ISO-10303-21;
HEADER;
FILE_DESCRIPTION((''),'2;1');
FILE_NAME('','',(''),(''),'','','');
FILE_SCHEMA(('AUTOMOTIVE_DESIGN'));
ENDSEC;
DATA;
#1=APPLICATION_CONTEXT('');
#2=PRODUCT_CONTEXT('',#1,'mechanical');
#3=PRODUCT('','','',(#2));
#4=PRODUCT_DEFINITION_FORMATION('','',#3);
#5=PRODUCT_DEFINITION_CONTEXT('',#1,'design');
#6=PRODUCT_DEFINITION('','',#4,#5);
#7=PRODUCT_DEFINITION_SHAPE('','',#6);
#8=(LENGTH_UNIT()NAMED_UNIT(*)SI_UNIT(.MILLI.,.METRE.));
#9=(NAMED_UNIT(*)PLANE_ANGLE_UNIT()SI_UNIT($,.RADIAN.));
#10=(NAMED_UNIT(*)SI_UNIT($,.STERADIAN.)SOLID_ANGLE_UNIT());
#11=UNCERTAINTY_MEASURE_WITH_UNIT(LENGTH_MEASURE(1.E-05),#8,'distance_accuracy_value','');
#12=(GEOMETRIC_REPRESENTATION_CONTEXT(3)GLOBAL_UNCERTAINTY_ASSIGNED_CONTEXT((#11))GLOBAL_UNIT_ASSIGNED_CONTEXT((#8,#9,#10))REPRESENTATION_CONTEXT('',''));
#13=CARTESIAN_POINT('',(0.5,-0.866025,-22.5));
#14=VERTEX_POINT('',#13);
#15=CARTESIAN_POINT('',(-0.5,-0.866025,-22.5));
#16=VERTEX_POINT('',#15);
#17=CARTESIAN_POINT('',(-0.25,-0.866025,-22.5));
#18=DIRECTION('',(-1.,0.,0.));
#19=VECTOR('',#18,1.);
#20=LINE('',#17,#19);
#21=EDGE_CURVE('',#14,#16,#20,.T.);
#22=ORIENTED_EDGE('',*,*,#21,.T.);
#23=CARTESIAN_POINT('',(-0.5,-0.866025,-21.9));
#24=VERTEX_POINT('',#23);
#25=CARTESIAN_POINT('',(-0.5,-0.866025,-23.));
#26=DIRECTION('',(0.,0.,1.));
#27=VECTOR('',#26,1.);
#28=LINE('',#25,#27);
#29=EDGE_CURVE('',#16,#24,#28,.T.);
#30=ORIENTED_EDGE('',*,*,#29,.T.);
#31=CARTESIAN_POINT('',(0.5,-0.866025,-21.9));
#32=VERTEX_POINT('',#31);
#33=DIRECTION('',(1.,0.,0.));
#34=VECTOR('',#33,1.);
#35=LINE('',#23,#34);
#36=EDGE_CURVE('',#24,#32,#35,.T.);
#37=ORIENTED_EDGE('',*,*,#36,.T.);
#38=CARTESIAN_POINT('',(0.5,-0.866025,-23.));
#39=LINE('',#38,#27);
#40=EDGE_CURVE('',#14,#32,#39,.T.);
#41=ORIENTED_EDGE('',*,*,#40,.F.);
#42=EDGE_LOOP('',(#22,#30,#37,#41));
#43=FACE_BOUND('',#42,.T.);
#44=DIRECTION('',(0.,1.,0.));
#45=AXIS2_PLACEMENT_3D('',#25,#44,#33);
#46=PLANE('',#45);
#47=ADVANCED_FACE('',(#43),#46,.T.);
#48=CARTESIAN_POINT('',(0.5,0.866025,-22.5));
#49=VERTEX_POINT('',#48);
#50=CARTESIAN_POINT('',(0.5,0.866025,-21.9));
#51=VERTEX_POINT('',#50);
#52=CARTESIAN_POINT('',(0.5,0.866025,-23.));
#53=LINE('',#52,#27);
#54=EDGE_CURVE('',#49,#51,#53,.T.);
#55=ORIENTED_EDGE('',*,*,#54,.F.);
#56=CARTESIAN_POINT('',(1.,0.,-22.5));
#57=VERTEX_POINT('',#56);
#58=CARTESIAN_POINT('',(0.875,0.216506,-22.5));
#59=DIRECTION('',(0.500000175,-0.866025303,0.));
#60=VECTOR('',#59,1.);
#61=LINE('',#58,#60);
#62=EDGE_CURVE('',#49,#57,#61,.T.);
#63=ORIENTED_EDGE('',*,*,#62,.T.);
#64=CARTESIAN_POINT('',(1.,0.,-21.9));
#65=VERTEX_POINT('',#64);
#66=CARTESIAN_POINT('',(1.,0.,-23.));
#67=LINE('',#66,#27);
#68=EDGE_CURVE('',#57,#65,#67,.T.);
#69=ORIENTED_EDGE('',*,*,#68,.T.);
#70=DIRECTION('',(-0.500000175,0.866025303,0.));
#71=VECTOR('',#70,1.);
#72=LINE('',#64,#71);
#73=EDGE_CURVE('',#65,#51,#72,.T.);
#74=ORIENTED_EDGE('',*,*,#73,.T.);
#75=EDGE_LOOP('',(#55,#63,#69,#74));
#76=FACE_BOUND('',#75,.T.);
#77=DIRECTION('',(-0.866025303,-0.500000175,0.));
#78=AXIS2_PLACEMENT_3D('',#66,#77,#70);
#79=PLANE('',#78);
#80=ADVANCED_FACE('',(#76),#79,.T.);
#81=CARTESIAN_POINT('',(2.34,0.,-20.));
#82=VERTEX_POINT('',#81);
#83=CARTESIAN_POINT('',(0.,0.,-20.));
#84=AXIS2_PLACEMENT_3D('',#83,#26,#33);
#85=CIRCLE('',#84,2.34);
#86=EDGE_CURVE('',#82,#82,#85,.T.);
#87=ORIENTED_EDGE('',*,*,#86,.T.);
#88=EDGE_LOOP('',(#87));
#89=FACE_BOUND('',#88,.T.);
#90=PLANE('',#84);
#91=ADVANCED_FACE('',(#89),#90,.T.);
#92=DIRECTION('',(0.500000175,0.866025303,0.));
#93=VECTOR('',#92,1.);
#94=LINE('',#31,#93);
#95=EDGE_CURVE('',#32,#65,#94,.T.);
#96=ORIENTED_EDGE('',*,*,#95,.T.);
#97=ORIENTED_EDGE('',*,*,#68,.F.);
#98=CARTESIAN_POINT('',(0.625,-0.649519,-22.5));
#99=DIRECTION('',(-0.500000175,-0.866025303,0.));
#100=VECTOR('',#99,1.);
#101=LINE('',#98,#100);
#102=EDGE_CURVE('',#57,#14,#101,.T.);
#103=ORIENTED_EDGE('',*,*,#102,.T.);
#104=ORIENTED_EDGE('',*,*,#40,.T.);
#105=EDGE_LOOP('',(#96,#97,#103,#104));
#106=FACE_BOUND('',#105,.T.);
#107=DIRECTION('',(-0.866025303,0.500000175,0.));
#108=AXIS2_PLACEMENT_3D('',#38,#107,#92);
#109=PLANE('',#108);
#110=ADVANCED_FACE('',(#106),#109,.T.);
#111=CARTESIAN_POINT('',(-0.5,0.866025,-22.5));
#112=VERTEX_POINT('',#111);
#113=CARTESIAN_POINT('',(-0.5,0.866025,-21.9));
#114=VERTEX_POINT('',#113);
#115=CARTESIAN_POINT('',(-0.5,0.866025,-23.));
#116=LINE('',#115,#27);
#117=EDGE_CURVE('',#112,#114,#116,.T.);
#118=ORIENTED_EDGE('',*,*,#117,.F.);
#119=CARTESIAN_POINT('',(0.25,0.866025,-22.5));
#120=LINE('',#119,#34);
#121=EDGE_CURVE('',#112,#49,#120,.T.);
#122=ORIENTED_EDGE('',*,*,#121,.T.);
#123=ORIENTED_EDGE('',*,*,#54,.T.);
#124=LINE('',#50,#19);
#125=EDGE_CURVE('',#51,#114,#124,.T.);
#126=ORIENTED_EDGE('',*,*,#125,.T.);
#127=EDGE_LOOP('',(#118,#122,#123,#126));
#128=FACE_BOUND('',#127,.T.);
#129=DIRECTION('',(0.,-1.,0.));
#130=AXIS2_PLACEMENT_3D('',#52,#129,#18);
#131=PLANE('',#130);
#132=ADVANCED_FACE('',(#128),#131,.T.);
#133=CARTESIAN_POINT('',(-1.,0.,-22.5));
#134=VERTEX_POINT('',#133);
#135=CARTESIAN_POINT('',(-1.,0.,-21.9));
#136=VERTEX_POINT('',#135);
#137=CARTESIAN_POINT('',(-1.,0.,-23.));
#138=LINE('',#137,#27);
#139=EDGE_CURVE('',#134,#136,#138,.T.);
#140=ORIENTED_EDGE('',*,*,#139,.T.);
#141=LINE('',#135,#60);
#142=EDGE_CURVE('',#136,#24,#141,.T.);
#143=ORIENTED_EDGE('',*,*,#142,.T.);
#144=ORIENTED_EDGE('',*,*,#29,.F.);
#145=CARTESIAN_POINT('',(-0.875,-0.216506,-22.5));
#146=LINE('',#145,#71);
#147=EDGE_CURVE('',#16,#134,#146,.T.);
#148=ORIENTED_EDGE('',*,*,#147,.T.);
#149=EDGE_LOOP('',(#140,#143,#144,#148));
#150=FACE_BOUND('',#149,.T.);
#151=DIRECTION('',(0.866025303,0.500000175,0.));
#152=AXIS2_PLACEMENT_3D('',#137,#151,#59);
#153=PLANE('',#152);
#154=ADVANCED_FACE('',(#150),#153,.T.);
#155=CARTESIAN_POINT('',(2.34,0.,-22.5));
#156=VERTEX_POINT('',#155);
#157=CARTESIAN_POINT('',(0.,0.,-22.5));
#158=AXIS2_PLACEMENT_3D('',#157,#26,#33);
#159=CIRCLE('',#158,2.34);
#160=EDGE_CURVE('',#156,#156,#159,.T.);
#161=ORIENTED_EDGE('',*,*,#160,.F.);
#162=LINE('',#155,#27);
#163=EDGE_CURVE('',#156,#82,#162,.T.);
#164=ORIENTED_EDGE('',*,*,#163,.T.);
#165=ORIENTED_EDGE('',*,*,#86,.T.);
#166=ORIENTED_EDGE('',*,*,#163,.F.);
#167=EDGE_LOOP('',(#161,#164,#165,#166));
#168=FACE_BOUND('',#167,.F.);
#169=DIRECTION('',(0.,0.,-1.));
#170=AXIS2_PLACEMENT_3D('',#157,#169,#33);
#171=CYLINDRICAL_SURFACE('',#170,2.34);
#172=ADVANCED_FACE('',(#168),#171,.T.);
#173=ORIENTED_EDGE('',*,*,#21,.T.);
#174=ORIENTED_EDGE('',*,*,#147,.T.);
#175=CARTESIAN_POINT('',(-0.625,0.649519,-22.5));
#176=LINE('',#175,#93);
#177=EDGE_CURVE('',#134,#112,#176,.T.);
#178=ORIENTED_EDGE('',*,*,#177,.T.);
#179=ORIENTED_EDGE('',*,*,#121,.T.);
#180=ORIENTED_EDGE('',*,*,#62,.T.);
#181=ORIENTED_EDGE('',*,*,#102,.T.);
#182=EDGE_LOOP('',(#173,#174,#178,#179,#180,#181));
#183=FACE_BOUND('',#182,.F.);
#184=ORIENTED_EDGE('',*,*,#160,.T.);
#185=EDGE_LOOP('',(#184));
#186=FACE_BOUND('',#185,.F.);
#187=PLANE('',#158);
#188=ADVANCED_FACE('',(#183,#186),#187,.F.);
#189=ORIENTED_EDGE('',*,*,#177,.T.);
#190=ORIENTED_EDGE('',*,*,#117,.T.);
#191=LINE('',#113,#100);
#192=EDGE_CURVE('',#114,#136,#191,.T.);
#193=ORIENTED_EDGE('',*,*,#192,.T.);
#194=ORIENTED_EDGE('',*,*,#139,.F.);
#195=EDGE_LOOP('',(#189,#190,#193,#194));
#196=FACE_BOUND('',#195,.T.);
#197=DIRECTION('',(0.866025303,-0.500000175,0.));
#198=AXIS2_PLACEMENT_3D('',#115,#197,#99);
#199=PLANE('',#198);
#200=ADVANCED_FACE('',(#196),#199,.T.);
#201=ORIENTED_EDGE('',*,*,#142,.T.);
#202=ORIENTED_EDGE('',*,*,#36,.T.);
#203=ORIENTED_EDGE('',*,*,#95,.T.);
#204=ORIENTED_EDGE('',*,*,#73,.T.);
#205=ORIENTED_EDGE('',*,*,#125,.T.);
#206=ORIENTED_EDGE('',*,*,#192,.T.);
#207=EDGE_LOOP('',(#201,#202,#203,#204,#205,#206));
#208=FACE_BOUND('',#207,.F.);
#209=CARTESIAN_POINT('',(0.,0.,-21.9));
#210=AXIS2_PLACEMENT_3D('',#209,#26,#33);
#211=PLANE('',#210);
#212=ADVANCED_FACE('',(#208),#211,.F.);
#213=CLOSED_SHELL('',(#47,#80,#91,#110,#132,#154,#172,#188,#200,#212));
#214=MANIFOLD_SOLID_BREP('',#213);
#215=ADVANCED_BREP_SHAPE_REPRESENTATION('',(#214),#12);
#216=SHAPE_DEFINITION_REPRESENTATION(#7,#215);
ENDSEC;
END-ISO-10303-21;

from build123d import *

# Parameters (mm, degrees)
PRISM009_DEPTH    = 1.1
CYLINDER054_R     = 2.34
CYLINDER054_DEPTH = 2.5


with BuildPart() as prism009:
    # Prism009 → Prism009 (new body)
    with BuildSketch(Plane.XY.offset(-23)):
        Polygon((1, 0), (0.5, 0.866025), (-0.5, 0.866025), (-1, 0), (-0.5, -0.866025), (0.5, -0.866025), align=None)
    extrude(amount=PRISM009_DEPTH)


with BuildPart() as cut044:
    # Cylinder054 → Cylinder054 (new body)
    with BuildSketch(Plane.XY.offset(-22.5)):
        Circle(CYLINDER054_R)
    extrude(amount=CYLINDER054_DEPTH)

    # Cut044: cut Prism009
    add(prism009.part, mode=Mode.SUBTRACT)


solid = cut044.part
